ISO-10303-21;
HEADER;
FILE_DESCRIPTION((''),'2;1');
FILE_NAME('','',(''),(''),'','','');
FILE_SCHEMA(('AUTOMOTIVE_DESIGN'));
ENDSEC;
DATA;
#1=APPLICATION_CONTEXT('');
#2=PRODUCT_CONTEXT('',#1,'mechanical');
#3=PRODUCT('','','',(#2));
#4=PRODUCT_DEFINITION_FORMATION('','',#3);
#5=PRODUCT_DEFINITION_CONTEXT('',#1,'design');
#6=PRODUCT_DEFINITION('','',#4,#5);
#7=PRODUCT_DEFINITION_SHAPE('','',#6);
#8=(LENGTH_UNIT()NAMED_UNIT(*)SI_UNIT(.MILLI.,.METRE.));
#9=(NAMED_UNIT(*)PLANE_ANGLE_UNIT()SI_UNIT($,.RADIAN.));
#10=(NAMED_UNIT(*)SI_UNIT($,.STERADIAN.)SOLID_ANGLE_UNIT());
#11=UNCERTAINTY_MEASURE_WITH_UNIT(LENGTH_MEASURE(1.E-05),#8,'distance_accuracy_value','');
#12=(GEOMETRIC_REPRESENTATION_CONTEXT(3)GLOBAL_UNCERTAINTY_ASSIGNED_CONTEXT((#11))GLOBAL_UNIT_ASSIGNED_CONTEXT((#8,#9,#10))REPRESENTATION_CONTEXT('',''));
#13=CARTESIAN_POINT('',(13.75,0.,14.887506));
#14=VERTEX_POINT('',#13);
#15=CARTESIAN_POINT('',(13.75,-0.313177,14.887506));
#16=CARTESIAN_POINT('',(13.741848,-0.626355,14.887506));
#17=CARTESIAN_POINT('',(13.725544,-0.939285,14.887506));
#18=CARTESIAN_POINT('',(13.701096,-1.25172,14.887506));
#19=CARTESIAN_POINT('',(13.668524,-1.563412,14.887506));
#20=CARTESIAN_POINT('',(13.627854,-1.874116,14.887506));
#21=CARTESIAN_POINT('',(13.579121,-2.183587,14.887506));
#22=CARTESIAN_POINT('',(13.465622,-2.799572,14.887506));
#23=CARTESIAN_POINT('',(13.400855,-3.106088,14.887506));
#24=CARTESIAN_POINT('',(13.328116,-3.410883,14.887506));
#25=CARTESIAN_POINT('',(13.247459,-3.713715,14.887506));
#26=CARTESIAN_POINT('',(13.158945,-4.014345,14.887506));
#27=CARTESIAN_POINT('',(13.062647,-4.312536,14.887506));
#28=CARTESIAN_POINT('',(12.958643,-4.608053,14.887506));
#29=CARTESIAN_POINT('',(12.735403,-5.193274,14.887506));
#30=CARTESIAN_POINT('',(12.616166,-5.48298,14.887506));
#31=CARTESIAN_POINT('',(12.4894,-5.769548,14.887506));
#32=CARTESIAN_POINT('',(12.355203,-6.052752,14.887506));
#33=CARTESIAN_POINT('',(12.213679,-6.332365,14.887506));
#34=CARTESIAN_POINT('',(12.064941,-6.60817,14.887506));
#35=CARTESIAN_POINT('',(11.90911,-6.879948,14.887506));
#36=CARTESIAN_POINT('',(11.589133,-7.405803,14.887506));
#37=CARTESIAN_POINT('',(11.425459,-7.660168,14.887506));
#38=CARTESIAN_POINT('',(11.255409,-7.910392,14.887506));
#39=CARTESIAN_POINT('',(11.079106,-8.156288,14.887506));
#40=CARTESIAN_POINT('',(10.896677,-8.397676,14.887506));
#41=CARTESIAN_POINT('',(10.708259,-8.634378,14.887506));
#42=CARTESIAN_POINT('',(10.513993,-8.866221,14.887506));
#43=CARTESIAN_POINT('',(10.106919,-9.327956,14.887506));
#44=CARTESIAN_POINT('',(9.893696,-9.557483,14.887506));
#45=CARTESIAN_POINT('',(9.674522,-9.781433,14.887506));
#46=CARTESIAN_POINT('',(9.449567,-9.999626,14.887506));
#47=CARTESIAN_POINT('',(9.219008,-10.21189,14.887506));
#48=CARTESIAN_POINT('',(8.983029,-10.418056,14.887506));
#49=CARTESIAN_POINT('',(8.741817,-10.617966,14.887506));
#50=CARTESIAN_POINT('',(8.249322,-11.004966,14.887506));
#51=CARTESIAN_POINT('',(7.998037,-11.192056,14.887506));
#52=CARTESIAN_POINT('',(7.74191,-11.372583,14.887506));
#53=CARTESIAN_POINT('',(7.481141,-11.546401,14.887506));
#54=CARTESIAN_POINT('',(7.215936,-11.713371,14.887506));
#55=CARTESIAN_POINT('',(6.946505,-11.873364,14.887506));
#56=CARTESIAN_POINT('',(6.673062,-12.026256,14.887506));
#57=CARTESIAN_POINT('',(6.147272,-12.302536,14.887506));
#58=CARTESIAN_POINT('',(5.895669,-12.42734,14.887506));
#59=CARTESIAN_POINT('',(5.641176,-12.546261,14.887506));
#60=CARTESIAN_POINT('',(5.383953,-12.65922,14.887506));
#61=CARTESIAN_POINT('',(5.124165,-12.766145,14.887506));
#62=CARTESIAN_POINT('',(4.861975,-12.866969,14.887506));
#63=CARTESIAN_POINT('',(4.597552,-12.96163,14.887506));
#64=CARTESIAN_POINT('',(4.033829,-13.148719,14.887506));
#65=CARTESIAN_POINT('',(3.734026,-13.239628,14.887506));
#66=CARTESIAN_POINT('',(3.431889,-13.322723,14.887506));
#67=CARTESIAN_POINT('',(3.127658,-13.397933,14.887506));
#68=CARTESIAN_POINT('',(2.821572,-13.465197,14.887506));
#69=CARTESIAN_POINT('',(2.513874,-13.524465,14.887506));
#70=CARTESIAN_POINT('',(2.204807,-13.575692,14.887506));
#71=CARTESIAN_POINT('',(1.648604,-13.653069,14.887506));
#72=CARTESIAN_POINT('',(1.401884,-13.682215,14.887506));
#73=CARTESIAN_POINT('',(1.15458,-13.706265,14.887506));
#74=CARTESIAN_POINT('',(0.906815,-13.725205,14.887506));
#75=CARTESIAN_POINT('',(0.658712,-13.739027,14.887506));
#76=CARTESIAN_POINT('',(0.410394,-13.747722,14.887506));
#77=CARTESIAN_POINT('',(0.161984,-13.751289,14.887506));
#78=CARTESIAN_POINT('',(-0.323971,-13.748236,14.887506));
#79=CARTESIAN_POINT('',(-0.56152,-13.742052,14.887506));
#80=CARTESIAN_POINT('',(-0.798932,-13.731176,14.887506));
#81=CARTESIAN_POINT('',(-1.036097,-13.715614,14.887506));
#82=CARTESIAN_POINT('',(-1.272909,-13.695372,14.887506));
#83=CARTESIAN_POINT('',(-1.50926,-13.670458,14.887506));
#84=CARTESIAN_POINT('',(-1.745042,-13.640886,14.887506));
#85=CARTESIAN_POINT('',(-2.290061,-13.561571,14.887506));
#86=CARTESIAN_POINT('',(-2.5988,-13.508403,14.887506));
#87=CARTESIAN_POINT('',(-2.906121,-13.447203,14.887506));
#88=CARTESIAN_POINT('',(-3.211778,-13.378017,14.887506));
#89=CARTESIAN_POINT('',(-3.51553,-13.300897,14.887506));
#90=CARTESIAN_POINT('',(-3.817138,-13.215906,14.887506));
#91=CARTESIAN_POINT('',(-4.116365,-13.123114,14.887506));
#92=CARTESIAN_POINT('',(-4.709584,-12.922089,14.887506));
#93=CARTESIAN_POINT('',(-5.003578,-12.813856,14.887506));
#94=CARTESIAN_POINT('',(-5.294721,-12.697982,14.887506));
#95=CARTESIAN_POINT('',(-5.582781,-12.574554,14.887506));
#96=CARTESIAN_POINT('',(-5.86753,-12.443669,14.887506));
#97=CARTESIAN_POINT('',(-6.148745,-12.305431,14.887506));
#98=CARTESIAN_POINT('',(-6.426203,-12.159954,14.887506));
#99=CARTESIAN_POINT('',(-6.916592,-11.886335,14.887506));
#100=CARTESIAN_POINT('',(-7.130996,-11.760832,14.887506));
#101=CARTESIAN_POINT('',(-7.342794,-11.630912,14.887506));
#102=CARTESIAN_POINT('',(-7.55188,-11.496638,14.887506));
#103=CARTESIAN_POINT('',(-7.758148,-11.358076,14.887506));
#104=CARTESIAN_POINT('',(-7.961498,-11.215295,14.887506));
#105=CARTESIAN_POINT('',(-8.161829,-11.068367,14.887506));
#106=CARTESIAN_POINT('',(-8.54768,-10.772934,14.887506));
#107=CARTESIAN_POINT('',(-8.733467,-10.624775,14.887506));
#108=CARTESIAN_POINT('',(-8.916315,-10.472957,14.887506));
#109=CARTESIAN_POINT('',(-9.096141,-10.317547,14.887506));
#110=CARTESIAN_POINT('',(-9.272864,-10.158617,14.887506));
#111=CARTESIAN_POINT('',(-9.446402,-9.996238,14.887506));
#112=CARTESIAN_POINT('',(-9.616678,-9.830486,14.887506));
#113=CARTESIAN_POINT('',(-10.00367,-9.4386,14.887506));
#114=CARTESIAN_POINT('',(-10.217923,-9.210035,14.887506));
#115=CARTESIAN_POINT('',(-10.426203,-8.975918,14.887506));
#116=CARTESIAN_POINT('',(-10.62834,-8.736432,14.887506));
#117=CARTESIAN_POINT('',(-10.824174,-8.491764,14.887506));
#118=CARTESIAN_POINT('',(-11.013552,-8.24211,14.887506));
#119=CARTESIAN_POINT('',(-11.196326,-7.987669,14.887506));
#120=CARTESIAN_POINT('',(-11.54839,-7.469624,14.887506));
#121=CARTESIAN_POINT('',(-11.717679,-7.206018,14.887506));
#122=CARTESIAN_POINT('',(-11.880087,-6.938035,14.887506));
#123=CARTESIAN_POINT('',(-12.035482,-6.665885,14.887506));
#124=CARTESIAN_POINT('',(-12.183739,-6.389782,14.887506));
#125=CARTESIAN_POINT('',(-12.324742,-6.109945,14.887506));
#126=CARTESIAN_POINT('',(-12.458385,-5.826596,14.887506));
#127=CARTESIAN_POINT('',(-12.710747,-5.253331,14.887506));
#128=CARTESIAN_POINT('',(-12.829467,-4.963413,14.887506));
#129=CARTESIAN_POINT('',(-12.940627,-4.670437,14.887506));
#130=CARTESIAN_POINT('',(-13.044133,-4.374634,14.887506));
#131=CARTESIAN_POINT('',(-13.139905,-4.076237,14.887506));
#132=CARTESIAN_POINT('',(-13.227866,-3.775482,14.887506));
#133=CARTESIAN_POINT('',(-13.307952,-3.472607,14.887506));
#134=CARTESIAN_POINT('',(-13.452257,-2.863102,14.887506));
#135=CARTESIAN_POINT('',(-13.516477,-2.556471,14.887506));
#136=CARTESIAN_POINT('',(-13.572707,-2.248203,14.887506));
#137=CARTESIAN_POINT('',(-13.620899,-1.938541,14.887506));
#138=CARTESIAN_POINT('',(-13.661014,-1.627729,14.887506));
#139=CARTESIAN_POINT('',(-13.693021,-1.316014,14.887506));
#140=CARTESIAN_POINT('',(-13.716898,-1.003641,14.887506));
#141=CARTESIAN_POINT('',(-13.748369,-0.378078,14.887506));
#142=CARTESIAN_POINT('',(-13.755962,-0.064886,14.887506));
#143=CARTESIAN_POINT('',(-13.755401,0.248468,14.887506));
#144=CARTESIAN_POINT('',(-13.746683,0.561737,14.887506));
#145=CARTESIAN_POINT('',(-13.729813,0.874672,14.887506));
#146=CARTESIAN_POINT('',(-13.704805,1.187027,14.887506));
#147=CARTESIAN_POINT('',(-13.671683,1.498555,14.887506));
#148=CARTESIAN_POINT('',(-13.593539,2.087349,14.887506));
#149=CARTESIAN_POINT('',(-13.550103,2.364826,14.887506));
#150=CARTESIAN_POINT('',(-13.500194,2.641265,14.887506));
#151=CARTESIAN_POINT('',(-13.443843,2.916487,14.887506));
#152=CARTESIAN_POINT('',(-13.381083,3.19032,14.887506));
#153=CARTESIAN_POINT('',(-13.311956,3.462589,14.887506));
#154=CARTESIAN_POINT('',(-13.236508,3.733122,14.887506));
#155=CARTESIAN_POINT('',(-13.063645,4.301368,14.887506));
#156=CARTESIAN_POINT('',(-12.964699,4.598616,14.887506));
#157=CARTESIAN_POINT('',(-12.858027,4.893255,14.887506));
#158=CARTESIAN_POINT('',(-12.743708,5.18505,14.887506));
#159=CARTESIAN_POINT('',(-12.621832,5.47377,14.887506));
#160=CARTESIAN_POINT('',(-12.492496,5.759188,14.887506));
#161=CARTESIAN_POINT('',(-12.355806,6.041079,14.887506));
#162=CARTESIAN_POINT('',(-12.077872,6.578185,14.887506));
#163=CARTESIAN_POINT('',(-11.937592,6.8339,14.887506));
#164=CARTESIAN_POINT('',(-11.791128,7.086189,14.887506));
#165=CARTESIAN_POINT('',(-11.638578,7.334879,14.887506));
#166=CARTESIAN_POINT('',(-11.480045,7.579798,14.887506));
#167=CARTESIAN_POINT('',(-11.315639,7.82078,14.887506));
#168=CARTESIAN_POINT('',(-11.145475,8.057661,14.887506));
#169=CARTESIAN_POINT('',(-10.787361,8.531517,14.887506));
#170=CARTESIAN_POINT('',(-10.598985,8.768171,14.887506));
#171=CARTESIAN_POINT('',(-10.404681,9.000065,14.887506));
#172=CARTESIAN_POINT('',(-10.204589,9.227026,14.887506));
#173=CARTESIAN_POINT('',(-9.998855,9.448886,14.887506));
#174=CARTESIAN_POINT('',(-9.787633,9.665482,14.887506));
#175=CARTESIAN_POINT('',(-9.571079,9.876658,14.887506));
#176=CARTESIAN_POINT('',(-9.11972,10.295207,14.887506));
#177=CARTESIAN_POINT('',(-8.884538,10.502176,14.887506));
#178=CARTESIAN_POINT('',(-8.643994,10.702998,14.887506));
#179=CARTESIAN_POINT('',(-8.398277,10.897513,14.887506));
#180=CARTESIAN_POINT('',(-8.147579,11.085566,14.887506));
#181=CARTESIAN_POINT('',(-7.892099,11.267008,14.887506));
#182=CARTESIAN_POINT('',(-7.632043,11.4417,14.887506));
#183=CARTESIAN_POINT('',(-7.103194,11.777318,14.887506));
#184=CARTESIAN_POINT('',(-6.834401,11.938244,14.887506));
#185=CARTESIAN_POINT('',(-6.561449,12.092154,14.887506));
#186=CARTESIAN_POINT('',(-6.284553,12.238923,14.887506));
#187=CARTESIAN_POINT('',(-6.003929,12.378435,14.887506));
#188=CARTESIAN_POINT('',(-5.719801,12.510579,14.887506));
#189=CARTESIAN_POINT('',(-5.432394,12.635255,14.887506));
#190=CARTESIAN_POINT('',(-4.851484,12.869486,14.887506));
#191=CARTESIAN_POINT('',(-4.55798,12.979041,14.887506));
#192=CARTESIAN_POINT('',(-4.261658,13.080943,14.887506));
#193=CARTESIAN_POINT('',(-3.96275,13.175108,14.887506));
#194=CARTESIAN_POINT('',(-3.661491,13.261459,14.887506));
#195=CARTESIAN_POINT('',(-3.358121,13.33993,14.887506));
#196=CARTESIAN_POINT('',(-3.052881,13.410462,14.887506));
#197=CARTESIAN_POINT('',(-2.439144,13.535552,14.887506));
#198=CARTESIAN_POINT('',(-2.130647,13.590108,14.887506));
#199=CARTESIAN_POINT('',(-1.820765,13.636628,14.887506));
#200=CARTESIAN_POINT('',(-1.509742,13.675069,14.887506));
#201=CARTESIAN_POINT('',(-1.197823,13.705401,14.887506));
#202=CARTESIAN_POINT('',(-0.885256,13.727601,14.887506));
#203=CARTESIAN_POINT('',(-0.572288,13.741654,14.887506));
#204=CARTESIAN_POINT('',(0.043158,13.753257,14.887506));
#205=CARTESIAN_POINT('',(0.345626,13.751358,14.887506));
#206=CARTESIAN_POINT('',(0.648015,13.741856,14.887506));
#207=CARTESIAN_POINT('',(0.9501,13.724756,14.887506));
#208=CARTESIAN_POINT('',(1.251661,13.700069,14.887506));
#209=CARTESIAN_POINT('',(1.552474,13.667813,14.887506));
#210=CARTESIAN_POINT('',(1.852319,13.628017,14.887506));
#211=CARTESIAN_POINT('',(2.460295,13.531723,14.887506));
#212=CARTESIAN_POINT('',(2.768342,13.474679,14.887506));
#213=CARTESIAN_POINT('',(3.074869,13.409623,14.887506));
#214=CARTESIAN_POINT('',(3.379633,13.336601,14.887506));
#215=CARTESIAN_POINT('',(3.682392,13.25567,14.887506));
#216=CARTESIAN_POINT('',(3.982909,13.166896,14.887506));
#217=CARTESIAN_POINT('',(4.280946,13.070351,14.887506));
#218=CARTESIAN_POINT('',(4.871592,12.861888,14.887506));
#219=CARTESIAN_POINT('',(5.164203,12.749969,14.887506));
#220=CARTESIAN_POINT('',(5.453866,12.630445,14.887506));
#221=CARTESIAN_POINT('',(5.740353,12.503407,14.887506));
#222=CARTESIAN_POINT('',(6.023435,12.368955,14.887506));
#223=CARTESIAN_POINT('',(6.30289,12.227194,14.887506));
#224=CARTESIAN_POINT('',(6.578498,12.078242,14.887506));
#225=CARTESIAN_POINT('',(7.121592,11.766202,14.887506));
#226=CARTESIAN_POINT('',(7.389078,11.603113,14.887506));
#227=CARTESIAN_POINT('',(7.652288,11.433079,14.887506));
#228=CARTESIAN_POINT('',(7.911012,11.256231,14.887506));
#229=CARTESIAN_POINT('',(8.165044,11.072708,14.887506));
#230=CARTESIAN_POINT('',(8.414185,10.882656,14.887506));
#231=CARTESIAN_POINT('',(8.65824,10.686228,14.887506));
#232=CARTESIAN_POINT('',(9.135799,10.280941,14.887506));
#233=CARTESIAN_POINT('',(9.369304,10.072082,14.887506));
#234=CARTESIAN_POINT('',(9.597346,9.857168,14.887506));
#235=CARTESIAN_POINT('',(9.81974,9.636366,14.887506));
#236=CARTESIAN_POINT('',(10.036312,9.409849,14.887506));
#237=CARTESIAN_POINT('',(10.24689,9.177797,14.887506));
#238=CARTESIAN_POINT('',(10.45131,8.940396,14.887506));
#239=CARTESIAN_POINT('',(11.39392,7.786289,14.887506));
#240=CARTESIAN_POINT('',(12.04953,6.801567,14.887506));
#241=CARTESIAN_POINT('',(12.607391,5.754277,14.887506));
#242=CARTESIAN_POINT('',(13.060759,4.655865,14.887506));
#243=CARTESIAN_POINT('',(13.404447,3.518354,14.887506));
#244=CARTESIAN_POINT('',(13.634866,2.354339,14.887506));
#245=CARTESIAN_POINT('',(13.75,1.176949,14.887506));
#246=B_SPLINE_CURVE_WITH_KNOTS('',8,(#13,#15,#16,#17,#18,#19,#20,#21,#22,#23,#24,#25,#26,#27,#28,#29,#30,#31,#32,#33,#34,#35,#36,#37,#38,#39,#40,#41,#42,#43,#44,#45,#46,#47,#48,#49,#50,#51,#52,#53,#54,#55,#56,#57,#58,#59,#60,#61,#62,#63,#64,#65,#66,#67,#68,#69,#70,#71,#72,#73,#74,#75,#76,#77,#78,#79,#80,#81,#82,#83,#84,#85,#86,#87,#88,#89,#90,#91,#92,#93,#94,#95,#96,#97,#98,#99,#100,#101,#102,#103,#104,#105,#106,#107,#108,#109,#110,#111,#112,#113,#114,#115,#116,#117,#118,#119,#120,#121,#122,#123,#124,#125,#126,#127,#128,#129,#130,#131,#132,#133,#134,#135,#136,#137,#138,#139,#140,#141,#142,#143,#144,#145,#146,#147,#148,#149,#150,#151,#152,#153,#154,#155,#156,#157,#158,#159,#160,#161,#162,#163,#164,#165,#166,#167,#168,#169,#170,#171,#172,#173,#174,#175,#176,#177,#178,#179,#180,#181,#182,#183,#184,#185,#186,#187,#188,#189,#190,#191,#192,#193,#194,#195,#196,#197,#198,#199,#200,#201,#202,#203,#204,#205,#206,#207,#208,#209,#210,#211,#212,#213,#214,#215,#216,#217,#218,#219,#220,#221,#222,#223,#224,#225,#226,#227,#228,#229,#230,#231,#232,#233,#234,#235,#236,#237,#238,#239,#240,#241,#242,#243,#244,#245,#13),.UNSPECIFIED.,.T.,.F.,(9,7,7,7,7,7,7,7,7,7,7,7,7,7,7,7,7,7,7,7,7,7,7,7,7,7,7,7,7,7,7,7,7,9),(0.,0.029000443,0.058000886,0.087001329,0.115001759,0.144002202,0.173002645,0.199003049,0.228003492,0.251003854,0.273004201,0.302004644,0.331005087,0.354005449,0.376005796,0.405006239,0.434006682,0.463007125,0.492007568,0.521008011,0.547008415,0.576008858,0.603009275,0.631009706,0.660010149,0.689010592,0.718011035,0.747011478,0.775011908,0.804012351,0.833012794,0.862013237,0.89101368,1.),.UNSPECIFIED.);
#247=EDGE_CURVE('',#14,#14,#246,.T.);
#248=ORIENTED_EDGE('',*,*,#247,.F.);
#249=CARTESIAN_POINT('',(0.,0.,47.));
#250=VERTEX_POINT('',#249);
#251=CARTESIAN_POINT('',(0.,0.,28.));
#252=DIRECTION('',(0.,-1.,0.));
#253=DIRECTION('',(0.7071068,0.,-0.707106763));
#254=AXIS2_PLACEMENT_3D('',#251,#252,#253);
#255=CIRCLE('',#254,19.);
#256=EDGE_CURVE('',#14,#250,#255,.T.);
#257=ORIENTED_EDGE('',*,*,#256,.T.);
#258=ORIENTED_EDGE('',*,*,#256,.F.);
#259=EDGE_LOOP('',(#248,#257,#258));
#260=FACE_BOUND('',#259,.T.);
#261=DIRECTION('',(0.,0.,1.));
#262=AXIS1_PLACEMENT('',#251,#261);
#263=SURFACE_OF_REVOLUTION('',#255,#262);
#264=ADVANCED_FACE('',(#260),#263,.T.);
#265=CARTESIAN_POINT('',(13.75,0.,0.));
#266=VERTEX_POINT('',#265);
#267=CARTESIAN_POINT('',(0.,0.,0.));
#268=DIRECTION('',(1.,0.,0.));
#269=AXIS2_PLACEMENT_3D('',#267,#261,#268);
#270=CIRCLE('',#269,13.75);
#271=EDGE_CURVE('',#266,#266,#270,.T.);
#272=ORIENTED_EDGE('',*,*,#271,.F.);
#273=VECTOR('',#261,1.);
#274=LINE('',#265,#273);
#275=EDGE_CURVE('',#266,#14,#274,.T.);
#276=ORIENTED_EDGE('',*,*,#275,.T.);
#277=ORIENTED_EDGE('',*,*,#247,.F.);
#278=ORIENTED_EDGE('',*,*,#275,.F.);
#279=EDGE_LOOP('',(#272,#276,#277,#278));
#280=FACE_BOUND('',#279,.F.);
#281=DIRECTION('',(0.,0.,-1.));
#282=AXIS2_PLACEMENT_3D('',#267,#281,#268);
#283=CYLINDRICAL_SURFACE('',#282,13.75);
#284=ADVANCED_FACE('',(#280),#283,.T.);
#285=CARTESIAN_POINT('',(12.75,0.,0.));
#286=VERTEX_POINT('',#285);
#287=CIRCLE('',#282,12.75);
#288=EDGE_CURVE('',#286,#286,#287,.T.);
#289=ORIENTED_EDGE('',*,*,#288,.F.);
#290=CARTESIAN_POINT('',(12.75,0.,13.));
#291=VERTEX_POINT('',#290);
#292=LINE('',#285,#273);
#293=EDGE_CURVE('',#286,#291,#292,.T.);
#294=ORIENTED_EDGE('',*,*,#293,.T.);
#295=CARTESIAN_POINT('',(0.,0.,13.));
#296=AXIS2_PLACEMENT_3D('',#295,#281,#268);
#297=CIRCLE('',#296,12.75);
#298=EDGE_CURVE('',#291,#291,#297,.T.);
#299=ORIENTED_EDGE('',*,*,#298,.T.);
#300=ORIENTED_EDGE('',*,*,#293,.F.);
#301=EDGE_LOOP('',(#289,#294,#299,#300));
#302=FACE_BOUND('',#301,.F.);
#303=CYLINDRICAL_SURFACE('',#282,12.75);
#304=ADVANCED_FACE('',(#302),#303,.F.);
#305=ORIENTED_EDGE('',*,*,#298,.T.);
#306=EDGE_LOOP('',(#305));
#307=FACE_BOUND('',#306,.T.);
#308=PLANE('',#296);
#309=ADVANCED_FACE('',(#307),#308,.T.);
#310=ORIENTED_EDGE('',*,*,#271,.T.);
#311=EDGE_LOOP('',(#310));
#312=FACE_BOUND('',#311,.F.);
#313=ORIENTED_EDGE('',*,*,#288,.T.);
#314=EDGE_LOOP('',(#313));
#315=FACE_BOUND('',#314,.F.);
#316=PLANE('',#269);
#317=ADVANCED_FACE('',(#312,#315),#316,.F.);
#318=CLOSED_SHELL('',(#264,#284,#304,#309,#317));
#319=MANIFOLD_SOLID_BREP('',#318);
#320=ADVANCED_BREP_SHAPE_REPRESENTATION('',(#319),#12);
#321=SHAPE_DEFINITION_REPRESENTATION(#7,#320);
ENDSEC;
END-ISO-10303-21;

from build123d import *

# Parameters (mm, degrees)
SKETCH_R     = 13.75
PAD_DEPTH    = 15
SKETCH001_R  = 12.75
POCKET_DEPTH = 13


with BuildPart() as part:
    # Sketch → Pad (new body)
    with BuildSketch(Plane.XY):
        Circle(SKETCH_R)
    extrude(amount=PAD_DEPTH)

    # Sketch001 (on Face2 of Pad) → Pocket (cut)
    with BuildSketch(Plane(origin=(0, 0, 0), x_dir=(1, 0, 0), z_dir=(0, 0, -1))):
        Circle(SKETCH001_R)
    extrude(amount=-POCKET_DEPTH, mode=Mode.SUBTRACT)

    # Sphere → Sphere (revolve)
    with BuildSketch(Plane(origin=(0, 0, 28), x_dir=(1, 0, 0), z_dir=(0, -1, 0))):
        with BuildLine():
            ThreePointArc((13.435029, -13.435029), (17.553711, 7.270985), (0, 19))
            Line((0, 19), (0, -13.435029))
            Line((0, -13.435029), (13.435029, -13.435029))
        make_face()
    revolve(axis=Axis((0, 0, 28), (0, 0, 1)))


solid = part.part
